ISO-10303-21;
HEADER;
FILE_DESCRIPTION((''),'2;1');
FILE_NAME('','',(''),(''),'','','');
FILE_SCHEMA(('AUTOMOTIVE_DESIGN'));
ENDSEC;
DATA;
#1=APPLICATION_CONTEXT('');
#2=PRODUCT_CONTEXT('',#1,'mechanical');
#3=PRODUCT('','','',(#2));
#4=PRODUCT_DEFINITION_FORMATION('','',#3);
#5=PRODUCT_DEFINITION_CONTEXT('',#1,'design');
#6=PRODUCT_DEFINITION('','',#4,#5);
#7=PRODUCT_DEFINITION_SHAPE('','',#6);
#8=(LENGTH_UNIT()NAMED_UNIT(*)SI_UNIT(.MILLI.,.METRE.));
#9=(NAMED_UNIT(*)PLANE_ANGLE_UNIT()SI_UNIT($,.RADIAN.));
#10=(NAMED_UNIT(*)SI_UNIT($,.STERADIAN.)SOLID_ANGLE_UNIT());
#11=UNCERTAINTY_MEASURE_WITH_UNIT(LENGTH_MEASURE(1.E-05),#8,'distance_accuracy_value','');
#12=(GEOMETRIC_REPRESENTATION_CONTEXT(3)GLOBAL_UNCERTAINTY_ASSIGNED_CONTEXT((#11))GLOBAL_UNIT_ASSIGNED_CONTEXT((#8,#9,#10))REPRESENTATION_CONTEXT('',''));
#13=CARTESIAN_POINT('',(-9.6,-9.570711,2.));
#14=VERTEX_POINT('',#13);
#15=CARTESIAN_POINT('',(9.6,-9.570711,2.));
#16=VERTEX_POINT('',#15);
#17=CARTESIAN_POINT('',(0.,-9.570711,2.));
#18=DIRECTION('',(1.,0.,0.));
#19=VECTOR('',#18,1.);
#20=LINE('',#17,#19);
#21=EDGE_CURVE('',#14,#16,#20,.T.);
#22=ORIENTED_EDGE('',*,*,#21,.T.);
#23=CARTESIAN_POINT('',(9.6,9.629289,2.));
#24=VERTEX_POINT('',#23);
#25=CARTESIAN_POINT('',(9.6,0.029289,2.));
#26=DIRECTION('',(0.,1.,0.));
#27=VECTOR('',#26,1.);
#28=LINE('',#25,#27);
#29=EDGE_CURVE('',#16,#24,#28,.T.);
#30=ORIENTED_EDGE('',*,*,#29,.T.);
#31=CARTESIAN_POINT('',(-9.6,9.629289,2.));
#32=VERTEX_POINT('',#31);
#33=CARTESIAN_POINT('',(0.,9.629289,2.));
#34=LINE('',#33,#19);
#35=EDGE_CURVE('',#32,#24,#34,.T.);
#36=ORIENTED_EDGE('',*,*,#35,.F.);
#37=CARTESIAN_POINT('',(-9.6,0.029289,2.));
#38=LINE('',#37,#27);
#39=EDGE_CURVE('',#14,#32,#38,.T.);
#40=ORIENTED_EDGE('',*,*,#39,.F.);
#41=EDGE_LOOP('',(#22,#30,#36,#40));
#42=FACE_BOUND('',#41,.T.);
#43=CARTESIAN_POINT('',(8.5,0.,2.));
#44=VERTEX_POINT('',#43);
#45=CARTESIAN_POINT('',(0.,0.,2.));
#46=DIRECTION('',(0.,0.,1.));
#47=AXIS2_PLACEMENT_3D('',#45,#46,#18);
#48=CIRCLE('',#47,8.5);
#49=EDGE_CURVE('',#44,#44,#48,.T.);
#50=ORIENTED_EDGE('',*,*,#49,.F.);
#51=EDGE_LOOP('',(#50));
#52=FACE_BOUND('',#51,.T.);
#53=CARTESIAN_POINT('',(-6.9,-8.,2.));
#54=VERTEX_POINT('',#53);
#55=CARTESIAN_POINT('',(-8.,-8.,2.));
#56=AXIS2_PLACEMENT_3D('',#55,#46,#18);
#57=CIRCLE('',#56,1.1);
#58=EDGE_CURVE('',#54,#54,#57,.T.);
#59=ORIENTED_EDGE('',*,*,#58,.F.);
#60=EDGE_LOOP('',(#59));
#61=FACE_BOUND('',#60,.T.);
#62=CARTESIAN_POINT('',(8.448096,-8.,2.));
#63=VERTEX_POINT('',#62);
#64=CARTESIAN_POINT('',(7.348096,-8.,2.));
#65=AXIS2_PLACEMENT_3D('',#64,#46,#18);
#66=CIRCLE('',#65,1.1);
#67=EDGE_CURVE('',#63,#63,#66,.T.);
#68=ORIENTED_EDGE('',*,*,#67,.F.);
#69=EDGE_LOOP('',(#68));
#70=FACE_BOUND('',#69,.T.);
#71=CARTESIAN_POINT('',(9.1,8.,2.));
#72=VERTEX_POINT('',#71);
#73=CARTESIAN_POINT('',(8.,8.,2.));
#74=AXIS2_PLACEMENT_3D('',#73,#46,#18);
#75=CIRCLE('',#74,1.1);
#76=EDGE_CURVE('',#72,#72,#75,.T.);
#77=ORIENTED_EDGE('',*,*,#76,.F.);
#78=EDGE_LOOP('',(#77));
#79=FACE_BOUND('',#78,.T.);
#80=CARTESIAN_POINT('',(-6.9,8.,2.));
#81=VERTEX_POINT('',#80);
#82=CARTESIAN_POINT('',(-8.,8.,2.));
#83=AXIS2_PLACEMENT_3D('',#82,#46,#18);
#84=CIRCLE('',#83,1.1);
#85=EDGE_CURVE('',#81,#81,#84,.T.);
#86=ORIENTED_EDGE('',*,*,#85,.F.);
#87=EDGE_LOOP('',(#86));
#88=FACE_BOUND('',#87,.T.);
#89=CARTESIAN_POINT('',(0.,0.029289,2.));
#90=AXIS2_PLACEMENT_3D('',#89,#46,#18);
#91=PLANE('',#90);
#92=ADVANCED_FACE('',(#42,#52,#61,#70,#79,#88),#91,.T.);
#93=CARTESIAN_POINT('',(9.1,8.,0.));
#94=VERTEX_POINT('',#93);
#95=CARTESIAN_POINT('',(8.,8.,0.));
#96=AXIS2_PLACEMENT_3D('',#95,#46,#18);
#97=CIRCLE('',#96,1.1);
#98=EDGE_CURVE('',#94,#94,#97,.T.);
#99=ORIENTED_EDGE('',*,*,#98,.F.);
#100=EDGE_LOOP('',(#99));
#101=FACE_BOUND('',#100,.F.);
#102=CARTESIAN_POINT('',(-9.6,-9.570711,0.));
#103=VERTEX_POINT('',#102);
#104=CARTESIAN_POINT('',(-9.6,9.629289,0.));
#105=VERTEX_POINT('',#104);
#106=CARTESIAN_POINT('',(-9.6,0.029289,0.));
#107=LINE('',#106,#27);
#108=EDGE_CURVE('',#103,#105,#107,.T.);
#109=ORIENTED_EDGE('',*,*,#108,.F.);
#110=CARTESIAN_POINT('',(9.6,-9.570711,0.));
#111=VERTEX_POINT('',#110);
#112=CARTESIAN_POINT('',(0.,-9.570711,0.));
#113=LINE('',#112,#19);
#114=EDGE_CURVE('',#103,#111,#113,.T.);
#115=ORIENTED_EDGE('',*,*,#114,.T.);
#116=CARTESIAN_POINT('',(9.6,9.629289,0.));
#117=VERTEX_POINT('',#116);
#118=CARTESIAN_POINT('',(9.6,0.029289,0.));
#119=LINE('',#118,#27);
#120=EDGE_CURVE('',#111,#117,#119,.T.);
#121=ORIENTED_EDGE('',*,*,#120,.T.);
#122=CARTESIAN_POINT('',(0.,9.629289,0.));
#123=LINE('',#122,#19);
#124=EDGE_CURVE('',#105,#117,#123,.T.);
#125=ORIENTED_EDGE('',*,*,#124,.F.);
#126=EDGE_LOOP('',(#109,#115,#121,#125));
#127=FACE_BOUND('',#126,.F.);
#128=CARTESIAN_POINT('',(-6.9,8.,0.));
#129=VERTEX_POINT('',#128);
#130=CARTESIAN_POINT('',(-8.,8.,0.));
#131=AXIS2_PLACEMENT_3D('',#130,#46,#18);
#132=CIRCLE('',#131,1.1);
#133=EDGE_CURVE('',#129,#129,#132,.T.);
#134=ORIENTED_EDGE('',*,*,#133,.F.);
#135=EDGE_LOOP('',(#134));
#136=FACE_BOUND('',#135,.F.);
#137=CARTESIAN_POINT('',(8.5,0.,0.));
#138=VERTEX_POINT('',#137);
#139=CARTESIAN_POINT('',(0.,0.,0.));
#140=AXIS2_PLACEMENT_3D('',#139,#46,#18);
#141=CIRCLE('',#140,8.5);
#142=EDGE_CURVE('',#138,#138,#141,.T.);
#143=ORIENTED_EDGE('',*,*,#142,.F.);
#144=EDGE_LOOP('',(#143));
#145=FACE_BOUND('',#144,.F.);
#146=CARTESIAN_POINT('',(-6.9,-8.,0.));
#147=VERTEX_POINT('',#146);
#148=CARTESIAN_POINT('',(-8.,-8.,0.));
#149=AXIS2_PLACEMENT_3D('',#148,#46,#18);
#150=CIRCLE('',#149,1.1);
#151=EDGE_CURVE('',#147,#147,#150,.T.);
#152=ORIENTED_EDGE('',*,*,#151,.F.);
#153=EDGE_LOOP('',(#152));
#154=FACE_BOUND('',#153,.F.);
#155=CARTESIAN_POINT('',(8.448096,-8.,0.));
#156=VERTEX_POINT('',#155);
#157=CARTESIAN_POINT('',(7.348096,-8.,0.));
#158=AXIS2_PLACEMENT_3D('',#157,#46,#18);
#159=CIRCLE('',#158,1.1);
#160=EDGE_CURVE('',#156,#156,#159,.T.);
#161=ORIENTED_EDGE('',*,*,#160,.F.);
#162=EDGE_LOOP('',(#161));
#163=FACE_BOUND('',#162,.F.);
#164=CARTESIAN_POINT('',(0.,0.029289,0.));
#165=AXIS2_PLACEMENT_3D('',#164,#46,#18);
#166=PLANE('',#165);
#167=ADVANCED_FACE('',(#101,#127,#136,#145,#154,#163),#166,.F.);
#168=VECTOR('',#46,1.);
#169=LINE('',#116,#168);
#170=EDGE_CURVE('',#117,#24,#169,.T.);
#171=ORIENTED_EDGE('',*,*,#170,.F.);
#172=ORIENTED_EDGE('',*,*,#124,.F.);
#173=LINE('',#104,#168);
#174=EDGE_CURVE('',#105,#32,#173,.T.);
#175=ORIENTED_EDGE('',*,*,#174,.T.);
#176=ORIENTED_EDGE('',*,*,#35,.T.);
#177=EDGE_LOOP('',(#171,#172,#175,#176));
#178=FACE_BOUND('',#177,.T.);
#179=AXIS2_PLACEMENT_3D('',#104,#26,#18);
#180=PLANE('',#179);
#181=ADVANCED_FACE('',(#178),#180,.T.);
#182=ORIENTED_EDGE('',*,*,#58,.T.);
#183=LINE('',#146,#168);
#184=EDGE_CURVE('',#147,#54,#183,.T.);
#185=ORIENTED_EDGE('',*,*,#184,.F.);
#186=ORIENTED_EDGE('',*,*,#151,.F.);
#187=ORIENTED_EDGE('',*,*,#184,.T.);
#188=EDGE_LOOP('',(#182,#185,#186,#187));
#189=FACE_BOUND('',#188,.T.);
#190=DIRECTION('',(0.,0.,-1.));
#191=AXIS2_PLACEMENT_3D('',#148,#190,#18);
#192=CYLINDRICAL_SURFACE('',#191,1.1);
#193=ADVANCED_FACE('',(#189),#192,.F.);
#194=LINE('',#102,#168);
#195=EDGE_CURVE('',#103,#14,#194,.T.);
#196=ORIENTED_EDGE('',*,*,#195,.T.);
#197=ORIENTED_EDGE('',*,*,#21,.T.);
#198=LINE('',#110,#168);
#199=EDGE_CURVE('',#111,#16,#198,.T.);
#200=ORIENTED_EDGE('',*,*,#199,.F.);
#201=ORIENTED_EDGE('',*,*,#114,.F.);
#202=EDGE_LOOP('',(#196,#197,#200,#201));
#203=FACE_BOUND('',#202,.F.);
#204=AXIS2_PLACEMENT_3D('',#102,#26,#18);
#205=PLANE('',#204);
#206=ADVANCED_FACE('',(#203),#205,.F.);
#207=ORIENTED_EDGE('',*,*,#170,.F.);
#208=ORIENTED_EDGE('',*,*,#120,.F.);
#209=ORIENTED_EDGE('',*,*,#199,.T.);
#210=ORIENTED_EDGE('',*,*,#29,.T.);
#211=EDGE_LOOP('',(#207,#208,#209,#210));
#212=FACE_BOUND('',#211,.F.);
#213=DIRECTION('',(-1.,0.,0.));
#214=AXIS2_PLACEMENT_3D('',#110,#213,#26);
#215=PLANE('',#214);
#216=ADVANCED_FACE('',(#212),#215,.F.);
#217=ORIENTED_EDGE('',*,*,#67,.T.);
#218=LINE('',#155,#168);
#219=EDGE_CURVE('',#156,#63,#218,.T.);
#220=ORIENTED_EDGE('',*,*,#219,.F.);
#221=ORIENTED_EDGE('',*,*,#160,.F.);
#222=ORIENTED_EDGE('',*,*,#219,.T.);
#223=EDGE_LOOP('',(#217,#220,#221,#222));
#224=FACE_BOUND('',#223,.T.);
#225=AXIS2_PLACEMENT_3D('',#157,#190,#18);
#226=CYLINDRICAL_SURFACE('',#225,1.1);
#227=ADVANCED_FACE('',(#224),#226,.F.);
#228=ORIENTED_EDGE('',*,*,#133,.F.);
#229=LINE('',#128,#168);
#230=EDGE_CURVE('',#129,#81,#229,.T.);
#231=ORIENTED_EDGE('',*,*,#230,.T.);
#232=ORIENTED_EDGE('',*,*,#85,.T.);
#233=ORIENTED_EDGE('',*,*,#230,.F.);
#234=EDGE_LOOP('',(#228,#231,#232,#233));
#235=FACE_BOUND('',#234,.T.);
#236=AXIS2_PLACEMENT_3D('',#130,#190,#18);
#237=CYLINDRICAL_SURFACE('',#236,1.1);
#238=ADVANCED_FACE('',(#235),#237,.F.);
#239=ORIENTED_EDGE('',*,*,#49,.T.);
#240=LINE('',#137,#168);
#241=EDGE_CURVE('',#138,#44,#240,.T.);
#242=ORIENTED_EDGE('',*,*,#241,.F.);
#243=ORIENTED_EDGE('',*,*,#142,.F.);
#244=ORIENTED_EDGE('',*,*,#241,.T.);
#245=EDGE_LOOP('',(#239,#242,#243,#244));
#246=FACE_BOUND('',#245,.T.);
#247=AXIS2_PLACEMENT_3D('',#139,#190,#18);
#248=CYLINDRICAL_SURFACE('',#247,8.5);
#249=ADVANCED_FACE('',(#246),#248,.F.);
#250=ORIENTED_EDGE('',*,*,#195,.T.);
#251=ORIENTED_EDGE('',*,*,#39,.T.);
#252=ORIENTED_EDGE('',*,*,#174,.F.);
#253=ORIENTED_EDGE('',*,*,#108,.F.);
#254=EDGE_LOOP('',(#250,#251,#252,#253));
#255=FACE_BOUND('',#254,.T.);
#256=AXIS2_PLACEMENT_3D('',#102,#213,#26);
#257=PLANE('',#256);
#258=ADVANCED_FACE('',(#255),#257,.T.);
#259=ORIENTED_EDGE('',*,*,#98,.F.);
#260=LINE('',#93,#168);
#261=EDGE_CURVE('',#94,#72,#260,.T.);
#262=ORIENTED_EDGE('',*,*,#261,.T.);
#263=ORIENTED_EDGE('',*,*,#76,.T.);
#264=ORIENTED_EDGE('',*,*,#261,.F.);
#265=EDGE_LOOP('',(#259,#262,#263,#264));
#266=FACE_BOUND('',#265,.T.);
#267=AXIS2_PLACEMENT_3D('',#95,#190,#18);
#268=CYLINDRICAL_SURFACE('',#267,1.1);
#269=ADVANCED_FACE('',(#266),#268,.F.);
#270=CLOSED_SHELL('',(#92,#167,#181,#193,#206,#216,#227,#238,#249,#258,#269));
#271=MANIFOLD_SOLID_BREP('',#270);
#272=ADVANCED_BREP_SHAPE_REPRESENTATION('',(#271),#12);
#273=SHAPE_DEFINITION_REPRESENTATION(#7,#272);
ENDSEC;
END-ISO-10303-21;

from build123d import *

# Parameters (mm, degrees)
SKETCH_W   = 19.2
SKETCH_H   = 19.2
SKETCH_R   = 8.5
SKETCH_R_2 = 1.1
PAD_DEPTH  = 2


with BuildPart() as part:
    # Sketch → Pad (new body)
    with BuildSketch(Plane.XY):
        with Locations((0, 0.029289)):
            Rectangle(SKETCH_W, SKETCH_H)
        Circle(SKETCH_R, mode=Mode.SUBTRACT)
        with Locations((-8, 8)):
            Circle(SKETCH_R_2, mode=Mode.SUBTRACT)
        with Locations((8, 8)):
            Circle(SKETCH_R_2, mode=Mode.SUBTRACT)
        with Locations((7.348096, -8)):
            Circle(SKETCH_R_2, mode=Mode.SUBTRACT)
        with Locations((-8, -8)):
            Circle(SKETCH_R_2, mode=Mode.SUBTRACT)
    extrude(amount=PAD_DEPTH)


solid = part.part
